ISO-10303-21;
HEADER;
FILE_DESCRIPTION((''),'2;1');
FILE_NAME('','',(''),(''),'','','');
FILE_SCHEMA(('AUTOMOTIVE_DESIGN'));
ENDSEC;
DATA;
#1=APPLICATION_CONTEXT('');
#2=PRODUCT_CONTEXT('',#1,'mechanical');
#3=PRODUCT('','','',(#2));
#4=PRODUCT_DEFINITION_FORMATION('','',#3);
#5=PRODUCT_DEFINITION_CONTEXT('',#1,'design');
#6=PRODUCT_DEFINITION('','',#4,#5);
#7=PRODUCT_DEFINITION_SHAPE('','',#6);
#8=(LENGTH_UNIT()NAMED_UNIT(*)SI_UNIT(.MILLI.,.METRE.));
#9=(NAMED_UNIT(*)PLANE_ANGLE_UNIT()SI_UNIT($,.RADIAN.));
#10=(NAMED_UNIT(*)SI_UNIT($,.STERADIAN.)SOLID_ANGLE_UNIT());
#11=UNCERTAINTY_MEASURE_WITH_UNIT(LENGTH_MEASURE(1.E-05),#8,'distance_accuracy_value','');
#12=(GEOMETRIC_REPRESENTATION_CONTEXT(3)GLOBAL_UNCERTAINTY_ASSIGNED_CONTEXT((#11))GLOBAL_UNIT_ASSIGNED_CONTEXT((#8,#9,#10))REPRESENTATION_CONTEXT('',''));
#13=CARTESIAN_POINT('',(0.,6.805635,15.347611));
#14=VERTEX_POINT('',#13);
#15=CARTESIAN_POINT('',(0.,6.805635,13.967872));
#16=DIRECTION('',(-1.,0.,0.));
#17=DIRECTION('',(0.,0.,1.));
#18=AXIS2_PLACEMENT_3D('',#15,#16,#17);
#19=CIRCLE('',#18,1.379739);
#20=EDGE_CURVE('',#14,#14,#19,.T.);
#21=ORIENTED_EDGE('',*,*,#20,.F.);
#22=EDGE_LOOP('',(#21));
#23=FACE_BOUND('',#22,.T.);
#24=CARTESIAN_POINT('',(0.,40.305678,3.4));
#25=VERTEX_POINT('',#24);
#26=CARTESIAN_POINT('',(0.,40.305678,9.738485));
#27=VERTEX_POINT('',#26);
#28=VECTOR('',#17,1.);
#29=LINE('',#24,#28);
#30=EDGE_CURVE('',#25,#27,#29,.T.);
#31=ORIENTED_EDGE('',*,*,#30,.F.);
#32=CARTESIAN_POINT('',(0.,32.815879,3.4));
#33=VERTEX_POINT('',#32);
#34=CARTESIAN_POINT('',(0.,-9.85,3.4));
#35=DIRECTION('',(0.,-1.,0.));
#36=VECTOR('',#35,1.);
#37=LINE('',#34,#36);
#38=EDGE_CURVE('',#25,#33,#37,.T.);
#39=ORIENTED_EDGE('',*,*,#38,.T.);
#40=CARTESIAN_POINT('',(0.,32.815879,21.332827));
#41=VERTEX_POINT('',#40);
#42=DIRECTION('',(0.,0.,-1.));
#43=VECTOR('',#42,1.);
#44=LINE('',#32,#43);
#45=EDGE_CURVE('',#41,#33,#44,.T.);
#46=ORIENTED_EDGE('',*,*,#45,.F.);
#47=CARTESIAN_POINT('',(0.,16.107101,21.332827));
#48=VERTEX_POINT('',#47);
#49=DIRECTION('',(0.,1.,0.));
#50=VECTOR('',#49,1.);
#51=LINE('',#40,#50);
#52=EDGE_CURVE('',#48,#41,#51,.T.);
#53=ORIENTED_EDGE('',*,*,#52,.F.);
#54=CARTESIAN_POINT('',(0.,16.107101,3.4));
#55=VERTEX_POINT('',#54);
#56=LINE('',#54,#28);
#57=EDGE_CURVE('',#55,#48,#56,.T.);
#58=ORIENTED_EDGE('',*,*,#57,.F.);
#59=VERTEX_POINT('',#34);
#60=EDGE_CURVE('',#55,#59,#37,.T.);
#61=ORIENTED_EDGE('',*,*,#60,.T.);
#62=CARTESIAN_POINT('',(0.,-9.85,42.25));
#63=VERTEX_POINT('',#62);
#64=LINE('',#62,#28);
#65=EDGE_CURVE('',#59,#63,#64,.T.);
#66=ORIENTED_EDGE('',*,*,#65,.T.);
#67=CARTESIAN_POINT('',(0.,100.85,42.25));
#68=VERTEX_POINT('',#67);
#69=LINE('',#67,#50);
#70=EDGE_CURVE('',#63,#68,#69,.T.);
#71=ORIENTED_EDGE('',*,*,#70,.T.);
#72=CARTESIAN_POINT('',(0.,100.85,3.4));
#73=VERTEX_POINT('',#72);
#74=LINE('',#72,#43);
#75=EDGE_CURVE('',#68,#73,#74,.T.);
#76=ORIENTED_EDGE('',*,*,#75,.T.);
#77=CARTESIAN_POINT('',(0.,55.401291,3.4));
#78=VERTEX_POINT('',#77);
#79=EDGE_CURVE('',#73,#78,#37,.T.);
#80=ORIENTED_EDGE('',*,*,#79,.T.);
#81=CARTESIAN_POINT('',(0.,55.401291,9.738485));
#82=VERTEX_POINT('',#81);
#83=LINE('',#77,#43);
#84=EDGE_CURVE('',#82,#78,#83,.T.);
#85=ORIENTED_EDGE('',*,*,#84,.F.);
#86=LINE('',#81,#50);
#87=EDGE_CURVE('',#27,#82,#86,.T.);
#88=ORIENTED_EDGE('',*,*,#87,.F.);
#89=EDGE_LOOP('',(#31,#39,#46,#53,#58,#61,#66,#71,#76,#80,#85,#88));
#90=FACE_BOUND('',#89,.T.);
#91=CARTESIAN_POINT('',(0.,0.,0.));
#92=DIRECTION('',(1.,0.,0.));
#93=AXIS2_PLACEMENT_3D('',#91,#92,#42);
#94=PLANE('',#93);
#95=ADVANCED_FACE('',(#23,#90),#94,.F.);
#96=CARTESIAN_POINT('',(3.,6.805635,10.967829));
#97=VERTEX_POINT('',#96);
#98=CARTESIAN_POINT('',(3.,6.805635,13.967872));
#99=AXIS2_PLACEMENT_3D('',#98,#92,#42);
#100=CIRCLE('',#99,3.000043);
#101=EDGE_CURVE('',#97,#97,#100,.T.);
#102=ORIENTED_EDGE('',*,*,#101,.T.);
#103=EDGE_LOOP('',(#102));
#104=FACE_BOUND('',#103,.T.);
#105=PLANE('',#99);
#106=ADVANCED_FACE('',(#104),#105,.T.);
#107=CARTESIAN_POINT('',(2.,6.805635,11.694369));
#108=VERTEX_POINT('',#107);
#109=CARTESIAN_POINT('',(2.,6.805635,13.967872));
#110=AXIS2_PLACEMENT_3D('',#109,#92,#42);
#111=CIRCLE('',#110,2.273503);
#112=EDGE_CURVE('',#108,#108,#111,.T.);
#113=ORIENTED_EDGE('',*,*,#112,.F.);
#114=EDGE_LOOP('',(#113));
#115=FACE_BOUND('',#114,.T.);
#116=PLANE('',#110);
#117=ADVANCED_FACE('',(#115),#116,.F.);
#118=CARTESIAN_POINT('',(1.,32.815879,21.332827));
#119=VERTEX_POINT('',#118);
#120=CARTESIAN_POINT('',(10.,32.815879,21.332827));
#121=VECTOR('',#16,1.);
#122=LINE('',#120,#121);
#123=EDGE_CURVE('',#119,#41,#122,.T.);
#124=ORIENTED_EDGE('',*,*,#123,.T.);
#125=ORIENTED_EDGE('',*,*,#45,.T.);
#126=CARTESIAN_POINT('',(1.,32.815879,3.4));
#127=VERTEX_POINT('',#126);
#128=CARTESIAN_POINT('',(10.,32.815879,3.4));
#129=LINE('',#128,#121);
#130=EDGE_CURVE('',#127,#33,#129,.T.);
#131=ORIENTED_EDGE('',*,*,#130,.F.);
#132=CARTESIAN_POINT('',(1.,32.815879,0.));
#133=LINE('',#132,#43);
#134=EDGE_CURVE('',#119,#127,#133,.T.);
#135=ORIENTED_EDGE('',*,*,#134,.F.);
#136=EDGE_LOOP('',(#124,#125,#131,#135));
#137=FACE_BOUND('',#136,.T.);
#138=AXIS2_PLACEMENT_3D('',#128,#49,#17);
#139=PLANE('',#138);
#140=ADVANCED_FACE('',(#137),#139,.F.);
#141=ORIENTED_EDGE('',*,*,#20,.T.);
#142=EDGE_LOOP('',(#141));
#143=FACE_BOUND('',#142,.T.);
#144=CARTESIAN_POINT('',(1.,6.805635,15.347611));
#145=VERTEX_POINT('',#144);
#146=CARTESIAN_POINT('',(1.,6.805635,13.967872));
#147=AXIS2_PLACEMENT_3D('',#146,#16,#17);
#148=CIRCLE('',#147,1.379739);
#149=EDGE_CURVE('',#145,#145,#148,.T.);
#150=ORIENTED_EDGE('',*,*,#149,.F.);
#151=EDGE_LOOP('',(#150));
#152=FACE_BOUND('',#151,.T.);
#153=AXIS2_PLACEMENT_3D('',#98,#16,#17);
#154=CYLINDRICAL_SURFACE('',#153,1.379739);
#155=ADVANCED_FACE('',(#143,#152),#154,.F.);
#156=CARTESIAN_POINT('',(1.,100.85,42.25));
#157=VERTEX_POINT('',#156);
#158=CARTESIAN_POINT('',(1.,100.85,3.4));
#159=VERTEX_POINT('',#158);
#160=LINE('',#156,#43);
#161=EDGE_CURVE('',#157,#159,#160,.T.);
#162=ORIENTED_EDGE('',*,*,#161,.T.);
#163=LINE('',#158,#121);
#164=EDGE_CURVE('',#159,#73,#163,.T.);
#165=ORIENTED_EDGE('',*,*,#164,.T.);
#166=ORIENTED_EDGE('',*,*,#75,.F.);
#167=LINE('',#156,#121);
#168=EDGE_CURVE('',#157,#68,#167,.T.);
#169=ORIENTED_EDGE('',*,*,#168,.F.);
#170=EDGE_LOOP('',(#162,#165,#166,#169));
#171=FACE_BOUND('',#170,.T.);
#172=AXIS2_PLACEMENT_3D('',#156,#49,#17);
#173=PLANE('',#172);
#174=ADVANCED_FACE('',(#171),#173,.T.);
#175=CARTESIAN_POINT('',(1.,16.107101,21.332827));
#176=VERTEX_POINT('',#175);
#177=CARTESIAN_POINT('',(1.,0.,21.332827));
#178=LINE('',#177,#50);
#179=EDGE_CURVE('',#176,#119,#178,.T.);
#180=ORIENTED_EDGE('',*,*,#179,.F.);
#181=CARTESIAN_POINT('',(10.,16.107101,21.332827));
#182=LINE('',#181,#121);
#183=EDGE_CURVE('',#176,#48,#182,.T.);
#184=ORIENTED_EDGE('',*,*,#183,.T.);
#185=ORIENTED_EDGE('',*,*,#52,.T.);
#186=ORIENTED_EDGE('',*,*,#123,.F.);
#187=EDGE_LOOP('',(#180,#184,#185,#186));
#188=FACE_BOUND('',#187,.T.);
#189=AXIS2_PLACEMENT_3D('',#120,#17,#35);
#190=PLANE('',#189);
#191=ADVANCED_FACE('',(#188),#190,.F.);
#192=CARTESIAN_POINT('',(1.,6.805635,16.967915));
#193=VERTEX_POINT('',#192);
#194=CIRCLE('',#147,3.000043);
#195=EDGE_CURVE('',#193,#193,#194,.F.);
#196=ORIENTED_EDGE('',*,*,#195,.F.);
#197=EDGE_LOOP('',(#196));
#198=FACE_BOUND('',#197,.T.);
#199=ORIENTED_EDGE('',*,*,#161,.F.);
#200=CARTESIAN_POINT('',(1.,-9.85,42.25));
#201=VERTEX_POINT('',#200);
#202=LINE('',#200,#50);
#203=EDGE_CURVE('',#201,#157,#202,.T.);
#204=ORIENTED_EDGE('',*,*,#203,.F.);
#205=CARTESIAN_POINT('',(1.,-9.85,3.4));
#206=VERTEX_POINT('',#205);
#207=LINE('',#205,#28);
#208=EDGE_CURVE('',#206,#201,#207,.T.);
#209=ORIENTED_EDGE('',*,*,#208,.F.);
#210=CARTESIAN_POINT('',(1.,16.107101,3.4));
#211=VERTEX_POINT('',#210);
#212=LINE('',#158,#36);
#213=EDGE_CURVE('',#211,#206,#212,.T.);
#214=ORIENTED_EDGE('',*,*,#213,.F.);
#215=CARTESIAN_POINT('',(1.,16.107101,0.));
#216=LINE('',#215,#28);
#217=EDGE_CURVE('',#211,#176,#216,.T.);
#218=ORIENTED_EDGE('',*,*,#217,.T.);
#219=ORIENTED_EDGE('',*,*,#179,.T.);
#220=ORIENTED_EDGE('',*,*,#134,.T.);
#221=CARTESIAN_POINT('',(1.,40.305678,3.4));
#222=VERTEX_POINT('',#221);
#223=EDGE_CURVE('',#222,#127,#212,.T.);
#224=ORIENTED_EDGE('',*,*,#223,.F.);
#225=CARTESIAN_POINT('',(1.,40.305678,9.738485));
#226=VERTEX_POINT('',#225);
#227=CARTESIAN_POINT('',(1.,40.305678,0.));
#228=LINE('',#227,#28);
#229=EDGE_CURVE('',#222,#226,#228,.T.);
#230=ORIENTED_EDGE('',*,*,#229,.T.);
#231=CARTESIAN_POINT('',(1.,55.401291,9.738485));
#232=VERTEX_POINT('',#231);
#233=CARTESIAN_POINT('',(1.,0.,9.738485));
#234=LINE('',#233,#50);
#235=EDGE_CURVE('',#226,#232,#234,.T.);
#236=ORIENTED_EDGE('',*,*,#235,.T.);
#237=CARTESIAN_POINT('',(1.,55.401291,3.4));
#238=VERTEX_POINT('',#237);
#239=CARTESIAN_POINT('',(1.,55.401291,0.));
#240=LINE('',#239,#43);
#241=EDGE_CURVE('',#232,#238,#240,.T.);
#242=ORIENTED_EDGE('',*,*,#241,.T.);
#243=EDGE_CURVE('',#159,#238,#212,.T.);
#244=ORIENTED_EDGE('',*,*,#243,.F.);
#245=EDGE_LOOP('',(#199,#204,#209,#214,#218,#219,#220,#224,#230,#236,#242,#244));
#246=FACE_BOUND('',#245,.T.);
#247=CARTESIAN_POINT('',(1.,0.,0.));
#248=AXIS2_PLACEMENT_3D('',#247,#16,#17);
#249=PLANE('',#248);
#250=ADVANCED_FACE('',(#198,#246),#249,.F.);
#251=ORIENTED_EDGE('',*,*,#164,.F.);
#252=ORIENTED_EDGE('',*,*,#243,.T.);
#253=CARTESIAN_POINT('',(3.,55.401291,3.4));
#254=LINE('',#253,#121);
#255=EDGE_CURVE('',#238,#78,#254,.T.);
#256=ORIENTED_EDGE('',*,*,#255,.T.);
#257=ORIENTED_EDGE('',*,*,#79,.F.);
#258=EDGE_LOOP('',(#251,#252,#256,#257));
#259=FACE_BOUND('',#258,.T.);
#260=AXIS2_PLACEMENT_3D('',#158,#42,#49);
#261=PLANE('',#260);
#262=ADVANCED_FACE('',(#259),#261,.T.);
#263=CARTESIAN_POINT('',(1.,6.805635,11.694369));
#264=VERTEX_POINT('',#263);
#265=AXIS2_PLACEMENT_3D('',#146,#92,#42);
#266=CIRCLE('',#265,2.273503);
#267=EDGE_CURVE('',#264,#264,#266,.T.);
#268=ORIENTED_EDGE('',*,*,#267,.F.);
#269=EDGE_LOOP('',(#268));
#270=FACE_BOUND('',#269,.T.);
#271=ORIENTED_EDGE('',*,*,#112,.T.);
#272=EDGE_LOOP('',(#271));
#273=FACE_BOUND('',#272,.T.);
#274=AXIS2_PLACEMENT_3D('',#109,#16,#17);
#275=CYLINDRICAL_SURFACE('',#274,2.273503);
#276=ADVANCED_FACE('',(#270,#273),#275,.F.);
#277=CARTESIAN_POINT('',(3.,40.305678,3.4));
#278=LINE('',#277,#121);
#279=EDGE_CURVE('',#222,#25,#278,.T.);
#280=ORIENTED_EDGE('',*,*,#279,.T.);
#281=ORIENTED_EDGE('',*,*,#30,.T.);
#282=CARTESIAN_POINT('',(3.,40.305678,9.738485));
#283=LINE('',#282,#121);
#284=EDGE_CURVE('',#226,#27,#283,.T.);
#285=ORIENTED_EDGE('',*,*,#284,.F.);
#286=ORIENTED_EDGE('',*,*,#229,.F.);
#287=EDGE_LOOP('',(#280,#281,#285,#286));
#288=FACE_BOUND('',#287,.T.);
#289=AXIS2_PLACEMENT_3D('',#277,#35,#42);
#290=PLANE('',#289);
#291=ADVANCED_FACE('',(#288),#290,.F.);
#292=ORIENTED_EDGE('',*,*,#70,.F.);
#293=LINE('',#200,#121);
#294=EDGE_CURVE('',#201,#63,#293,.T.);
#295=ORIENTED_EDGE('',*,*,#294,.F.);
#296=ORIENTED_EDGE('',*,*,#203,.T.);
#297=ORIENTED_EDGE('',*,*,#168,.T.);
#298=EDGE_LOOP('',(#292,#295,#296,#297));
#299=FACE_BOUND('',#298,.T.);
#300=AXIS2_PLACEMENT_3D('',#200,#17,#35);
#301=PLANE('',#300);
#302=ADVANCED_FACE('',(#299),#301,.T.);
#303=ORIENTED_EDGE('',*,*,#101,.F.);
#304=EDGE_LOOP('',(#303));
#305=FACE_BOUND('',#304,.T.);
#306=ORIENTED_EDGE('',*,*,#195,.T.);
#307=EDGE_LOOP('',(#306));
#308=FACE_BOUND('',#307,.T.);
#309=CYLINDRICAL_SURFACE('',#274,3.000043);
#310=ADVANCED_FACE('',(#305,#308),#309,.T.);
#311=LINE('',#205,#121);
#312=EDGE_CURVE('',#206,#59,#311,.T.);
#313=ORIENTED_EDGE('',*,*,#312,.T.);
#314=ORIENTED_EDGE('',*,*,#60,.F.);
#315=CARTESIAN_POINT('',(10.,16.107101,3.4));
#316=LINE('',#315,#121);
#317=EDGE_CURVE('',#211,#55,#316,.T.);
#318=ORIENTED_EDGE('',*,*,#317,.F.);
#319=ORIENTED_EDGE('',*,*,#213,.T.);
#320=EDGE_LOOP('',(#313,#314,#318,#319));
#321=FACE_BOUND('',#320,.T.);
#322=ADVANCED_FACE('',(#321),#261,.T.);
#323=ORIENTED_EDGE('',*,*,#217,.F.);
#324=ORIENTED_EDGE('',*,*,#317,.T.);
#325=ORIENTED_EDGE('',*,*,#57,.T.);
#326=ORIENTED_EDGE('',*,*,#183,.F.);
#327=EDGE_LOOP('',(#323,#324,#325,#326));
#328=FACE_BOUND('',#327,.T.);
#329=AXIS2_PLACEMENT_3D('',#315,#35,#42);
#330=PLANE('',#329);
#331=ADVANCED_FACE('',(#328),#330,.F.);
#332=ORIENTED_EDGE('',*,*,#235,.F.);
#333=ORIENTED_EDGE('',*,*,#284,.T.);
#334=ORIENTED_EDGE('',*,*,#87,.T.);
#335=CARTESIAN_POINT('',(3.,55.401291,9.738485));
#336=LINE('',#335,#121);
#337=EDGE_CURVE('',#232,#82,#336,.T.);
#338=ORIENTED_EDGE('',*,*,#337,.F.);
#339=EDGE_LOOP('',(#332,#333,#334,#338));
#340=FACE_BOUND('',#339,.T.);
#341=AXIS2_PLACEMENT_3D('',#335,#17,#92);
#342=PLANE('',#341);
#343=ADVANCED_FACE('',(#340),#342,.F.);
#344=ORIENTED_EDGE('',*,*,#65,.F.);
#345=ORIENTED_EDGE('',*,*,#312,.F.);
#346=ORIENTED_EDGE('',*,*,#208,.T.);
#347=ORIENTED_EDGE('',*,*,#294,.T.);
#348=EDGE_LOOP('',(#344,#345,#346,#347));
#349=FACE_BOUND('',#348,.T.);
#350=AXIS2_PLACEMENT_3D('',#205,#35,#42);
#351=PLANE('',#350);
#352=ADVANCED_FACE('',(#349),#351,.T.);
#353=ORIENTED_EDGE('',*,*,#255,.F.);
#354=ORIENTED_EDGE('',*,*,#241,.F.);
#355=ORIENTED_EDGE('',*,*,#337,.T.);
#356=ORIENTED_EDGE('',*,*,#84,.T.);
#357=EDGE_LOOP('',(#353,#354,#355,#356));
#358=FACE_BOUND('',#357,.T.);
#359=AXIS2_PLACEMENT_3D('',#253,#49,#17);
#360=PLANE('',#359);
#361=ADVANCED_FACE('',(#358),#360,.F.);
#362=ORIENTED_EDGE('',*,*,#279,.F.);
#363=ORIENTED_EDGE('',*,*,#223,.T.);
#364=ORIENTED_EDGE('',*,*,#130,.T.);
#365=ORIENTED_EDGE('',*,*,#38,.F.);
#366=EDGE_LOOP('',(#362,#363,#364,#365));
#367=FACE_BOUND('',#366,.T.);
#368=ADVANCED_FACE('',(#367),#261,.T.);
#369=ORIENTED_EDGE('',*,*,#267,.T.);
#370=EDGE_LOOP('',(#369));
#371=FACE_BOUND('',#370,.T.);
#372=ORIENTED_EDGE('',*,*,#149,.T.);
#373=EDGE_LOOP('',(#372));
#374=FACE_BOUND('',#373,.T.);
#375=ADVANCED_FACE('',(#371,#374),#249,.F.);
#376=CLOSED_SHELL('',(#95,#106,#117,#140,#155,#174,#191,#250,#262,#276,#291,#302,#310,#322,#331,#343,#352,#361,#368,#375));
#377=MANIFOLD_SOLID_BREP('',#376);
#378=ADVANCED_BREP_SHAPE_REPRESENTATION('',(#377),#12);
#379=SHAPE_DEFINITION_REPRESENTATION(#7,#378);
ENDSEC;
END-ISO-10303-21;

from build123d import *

# Parameters (mm, degrees)
SKETCH_1_W          = 110.7
SKETCH_1_H          = 38.85
EXTRUDE_1_DEPTH     = 0.5
SKETCH_2_W          = 38.85
SKETCH_2_H          = 110.7
EXTRUDE_2_DEPTH     = 0.5
SKETCH_3_W          = 17.932827047
SKETCH_3_H          = 16.708777413
CUT_EXTRUDE_1_DEPTH = 10
SKETCH_4_W          = 6.338485403
SKETCH_4_H          = 15.09561221
CUT_EXTRUDE_2_DEPTH = 3
SKETCH_5_R          = 1.379738623
CUT_EXTRUDE_3_DEPTH = 3
SKETCH_6_R          = 3.000043017
SKETCH_6_R_2        = 2.273503066
EXTRUDE_3_DEPTH     = 1
SKETCH_7_R          = 3.000043017
EXTRUDE_4_DEPTH     = 1


with BuildPart() as part:
    # Эскиз1 → Бобышка-Вытянуть1 (new body)
    with BuildSketch(Plane(origin=(0.5, 0, 0), x_dir=(0, -1, 0), z_dir=(-1, 0, 0))):
        with Locations((-45.5, 22.825)):
            Rectangle(SKETCH_1_W, SKETCH_1_H)
    extrude(amount=-EXTRUDE_1_DEPTH)

    # Эскиз2 → Бобышка-Вытянуть2 (add)
    with BuildSketch(Plane.ZY.offset(-0.5)):
        with Locations((22.825, 45.5)):
            Rectangle(SKETCH_2_W, SKETCH_2_H)
    extrude(amount=EXTRUDE_2_DEPTH)

    # Эскиз3 → Вырез-Вытянуть1 (cut)
    with BuildSketch(Plane.ZY):
        with Locations((12.366413524, 24.461489881)):
            Rectangle(SKETCH_3_W, SKETCH_3_H)
    extrude(amount=-CUT_EXTRUDE_1_DEPTH, mode=Mode.SUBTRACT)

    # Эскиз4 → Вырез-Вытянуть2 (cut)
    with BuildSketch(Plane.ZY):
        with Locations((6.569242702, 47.853484542)):
            Rectangle(SKETCH_4_W, SKETCH_4_H)
    extrude(amount=-CUT_EXTRUDE_2_DEPTH, mode=Mode.SUBTRACT)

    # Эскиз5 → Вырез-Вытянуть3 (cut)
    with BuildSketch(Plane.ZY):
        with Locations((13.967872297, 6.805635325)):
            Circle(SKETCH_5_R)
    extrude(amount=-CUT_EXTRUDE_3_DEPTH, mode=Mode.SUBTRACT)

    # Эскиз6 → Бобышка-Вытянуть3 (add)
    with BuildSketch(Plane(origin=(1, 0, 0), x_dir=(0, 0, -1), z_dir=(1, 0, 0))):
        with Locations(Location((-13.967872297, 6.805635325, 0), (0, 0, 180))):
            Circle(SKETCH_6_R)
        with Locations((-13.967872297, 6.805635325)):
            Circle(SKETCH_6_R_2, mode=Mode.SUBTRACT)
    extrude(amount=EXTRUDE_3_DEPTH)

    # Эскиз7 → Бобышка-Вытянуть4 (add)
    with BuildSketch(Plane(origin=(2, 0, 0), x_dir=(0, 0, -1), z_dir=(1, 0, 0))):
        with Locations(Location((-13.967872297, 6.805635325, 0), (0, 0, 180))):
            Circle(SKETCH_7_R)
    extrude(amount=EXTRUDE_4_DEPTH)


solid = part.part
